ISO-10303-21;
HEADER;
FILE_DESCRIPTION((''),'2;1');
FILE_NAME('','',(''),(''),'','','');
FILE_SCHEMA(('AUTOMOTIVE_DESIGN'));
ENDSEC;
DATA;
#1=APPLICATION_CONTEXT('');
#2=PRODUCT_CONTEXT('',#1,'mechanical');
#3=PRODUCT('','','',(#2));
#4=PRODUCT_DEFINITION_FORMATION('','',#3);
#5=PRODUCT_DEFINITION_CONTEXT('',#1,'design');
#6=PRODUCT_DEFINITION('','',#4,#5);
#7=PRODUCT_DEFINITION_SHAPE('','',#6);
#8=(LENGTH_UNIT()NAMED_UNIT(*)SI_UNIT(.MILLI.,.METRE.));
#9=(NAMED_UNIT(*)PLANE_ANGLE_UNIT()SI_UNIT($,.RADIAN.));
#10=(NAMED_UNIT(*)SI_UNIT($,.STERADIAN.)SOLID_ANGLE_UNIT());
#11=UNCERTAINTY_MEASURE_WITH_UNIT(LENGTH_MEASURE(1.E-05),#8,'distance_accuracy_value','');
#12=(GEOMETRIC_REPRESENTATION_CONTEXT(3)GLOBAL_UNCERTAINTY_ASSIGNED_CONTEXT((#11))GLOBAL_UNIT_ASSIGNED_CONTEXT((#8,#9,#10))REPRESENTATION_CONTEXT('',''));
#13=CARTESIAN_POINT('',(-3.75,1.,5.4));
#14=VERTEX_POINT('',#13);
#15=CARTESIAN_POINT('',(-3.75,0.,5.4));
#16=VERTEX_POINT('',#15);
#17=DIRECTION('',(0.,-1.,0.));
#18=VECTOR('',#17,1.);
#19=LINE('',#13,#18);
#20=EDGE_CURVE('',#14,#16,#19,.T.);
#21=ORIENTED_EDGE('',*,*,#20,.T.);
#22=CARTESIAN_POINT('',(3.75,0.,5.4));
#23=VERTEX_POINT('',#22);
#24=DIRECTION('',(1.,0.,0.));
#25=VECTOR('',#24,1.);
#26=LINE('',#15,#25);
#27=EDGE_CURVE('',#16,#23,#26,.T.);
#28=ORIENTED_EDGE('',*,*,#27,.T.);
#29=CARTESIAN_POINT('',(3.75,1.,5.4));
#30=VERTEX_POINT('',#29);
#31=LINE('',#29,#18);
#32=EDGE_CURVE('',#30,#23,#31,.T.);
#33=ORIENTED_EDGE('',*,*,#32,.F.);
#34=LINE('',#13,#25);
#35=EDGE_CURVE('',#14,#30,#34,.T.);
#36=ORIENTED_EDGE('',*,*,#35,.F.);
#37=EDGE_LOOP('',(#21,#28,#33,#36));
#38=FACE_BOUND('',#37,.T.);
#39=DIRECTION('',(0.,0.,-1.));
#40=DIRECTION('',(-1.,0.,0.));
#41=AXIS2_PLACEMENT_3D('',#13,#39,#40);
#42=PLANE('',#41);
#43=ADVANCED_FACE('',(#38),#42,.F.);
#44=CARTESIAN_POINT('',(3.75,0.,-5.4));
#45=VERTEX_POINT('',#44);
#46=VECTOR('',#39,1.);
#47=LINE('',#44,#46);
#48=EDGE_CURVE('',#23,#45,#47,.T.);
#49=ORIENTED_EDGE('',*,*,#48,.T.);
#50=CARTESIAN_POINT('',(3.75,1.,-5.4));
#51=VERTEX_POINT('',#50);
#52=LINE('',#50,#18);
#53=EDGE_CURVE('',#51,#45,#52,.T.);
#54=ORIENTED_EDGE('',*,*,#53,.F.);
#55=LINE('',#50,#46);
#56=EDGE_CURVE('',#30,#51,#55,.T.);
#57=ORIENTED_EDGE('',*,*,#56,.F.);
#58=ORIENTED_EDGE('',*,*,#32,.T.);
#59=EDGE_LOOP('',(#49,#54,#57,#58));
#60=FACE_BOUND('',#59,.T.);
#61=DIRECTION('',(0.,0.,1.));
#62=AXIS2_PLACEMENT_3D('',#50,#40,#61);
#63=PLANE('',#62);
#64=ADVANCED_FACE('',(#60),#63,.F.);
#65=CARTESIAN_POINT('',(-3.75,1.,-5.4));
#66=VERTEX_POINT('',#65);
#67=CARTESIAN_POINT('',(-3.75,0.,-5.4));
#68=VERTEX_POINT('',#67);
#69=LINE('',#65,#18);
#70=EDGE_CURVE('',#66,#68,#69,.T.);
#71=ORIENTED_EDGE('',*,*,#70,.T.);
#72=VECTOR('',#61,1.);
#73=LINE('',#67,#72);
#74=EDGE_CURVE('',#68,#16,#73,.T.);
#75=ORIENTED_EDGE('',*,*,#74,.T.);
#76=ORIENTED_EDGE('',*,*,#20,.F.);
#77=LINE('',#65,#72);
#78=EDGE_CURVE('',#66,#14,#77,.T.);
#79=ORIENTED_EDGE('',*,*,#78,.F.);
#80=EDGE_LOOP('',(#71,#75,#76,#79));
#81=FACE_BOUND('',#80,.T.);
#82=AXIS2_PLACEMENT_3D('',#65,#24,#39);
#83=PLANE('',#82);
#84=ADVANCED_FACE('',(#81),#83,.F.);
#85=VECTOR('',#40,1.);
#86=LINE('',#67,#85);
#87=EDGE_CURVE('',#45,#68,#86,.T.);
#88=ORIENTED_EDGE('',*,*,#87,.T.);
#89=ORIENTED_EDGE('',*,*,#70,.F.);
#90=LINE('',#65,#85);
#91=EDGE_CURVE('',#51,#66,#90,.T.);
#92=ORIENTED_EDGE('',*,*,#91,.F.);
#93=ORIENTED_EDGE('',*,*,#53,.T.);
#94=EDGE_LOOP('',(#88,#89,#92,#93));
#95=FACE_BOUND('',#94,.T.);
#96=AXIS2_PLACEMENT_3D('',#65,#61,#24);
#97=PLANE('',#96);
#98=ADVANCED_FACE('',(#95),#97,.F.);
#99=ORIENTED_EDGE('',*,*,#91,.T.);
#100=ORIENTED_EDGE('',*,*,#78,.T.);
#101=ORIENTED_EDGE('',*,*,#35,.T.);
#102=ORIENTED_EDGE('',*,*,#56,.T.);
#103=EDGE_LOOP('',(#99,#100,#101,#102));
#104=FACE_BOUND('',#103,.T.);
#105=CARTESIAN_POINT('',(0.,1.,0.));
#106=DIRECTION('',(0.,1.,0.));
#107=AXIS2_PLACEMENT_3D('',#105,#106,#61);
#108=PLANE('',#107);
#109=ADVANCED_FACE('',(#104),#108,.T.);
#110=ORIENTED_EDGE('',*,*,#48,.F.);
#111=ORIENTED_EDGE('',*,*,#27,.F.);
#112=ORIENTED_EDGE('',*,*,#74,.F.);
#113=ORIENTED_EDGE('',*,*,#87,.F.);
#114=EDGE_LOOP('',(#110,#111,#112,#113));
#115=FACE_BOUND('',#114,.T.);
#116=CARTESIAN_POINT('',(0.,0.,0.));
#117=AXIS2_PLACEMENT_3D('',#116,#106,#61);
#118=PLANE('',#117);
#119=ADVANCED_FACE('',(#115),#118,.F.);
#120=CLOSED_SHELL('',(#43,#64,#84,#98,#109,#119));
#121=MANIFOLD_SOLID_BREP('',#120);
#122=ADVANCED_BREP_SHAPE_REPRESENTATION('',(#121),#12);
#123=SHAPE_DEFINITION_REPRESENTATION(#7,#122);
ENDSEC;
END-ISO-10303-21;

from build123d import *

# Parameters (mm, degrees)
SKETCH1_W           = 7.5
SKETCH1_H           = 10.8
BOSS_EXTRUDE1_DEPTH = 1


with BuildPart() as part:
    # Sketch1 → Boss-Extrude1 (new body)
    with BuildSketch(Plane(origin=(0, 0, 0), x_dir=(1, 0, 0), z_dir=(0, 1, 0))):
        Rectangle(SKETCH1_W, SKETCH1_H)
    extrude(amount=BOSS_EXTRUDE1_DEPTH)


solid = part.part
